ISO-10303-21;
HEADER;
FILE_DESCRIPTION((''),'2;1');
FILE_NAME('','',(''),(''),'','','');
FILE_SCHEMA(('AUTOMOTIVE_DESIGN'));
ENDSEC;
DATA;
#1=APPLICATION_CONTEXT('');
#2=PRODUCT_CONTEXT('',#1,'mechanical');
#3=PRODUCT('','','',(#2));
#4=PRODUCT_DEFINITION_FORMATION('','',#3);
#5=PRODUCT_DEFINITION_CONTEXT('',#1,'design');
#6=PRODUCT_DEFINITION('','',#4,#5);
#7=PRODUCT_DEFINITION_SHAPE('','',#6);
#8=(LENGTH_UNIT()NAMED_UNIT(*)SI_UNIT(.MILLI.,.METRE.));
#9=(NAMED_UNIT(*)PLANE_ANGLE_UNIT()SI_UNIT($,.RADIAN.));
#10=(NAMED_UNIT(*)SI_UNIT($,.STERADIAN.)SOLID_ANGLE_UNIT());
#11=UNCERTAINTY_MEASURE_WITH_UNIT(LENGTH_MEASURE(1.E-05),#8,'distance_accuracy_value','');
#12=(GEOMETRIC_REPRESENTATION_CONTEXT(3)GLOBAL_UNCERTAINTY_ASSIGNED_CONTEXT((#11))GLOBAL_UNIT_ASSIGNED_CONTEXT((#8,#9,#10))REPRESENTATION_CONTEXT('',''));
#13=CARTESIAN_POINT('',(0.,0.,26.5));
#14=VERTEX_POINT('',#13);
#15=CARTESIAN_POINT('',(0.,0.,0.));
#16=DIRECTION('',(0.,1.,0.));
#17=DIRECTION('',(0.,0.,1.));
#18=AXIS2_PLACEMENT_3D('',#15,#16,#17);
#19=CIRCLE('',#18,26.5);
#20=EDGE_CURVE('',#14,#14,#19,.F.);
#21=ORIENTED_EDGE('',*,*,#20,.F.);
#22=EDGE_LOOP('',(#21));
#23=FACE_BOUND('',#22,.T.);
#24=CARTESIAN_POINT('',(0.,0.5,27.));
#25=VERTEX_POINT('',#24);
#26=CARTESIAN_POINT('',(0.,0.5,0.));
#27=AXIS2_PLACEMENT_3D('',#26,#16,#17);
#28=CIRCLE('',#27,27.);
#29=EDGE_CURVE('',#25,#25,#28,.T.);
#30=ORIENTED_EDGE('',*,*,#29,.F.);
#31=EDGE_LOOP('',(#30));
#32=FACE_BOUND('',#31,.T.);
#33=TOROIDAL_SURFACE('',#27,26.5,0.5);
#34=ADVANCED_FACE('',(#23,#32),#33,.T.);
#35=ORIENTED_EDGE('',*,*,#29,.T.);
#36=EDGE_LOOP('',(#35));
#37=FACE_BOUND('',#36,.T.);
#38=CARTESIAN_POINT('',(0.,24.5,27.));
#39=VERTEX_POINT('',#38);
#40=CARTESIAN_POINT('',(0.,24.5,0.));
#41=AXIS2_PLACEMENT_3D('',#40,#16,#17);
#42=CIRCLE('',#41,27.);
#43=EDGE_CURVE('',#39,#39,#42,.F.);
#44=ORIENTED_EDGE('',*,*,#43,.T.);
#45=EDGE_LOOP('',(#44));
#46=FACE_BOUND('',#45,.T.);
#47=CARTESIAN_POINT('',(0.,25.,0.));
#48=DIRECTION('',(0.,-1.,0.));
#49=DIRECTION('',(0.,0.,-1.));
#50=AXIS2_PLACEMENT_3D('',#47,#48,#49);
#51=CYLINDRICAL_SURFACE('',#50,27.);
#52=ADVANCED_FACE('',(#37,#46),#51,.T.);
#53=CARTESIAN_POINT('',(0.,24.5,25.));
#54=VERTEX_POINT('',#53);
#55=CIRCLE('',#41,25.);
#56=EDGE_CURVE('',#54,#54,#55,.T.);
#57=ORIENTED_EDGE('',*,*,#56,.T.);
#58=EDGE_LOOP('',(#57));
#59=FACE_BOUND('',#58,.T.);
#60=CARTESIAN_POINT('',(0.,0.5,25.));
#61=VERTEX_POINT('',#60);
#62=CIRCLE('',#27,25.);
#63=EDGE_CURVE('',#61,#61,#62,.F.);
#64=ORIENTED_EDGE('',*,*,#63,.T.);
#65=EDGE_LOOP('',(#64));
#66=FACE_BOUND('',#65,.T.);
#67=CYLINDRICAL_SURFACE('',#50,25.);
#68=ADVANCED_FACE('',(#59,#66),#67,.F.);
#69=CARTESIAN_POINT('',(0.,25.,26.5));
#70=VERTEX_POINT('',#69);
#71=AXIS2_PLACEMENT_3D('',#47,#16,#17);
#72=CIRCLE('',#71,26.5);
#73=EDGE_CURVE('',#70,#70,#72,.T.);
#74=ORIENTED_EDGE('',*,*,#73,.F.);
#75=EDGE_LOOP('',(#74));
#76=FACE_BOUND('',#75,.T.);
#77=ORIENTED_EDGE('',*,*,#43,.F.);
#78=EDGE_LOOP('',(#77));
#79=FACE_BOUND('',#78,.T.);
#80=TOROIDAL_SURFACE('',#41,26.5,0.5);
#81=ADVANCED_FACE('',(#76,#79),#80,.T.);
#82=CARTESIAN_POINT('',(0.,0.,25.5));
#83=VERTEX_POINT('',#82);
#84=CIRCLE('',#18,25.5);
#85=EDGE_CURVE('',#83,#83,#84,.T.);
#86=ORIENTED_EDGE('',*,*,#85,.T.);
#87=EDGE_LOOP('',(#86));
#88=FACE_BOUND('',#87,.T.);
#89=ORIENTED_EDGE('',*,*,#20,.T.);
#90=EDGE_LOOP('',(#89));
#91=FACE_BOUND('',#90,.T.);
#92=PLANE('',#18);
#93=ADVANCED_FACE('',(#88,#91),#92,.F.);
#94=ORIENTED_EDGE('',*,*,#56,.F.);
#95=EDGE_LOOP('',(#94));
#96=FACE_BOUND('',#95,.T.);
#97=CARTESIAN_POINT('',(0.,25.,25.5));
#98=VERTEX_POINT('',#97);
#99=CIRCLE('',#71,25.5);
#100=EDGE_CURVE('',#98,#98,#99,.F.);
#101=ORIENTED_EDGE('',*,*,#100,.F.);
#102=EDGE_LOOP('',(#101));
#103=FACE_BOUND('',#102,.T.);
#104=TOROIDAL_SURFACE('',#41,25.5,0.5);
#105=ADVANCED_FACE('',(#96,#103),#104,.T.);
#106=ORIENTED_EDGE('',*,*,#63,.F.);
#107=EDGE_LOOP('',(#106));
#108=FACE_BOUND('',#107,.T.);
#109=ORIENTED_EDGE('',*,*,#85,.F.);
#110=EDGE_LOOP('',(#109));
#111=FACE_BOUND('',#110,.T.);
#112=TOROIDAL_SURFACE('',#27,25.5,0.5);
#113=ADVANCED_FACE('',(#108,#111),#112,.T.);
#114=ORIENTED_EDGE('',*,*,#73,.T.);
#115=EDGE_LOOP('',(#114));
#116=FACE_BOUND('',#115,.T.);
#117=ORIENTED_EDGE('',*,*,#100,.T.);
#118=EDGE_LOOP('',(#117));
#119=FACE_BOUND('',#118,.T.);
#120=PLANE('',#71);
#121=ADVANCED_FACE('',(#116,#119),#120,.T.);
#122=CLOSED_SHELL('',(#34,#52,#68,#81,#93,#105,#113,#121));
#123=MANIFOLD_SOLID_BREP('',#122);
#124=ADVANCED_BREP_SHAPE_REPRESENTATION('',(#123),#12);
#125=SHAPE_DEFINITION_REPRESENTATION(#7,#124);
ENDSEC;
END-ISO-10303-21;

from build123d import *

# Parameters (mm, degrees)
SKETCH_1_R      = 27
SKETCH_1_R_2    = 25
EXTRUDE_1_DEPTH = 25
FILLET_1_R      = 0.5


with BuildPart() as part:
    # Эскиз1 → Бобышка-Вытянуть1 (new body)
    with BuildSketch(Plane(origin=(0, 0, 0), x_dir=(1, 0, 0), z_dir=(0, 1, 0))):
        Circle(SKETCH_1_R)
        Circle(SKETCH_1_R_2, mode=Mode.SUBTRACT)
    extrude(amount=EXTRUDE_1_DEPTH)

    # Скругление1
    fillet_1_edges = [part.edges().sort_by_distance(p)[0] for p in [
        (-27, 0, 0),
        (-27, 25, 0),
        (-25, 0, 0),
        (-25, 25, 0),
    ]]
    fillet(fillet_1_edges, radius=FILLET_1_R)


solid = part.part
